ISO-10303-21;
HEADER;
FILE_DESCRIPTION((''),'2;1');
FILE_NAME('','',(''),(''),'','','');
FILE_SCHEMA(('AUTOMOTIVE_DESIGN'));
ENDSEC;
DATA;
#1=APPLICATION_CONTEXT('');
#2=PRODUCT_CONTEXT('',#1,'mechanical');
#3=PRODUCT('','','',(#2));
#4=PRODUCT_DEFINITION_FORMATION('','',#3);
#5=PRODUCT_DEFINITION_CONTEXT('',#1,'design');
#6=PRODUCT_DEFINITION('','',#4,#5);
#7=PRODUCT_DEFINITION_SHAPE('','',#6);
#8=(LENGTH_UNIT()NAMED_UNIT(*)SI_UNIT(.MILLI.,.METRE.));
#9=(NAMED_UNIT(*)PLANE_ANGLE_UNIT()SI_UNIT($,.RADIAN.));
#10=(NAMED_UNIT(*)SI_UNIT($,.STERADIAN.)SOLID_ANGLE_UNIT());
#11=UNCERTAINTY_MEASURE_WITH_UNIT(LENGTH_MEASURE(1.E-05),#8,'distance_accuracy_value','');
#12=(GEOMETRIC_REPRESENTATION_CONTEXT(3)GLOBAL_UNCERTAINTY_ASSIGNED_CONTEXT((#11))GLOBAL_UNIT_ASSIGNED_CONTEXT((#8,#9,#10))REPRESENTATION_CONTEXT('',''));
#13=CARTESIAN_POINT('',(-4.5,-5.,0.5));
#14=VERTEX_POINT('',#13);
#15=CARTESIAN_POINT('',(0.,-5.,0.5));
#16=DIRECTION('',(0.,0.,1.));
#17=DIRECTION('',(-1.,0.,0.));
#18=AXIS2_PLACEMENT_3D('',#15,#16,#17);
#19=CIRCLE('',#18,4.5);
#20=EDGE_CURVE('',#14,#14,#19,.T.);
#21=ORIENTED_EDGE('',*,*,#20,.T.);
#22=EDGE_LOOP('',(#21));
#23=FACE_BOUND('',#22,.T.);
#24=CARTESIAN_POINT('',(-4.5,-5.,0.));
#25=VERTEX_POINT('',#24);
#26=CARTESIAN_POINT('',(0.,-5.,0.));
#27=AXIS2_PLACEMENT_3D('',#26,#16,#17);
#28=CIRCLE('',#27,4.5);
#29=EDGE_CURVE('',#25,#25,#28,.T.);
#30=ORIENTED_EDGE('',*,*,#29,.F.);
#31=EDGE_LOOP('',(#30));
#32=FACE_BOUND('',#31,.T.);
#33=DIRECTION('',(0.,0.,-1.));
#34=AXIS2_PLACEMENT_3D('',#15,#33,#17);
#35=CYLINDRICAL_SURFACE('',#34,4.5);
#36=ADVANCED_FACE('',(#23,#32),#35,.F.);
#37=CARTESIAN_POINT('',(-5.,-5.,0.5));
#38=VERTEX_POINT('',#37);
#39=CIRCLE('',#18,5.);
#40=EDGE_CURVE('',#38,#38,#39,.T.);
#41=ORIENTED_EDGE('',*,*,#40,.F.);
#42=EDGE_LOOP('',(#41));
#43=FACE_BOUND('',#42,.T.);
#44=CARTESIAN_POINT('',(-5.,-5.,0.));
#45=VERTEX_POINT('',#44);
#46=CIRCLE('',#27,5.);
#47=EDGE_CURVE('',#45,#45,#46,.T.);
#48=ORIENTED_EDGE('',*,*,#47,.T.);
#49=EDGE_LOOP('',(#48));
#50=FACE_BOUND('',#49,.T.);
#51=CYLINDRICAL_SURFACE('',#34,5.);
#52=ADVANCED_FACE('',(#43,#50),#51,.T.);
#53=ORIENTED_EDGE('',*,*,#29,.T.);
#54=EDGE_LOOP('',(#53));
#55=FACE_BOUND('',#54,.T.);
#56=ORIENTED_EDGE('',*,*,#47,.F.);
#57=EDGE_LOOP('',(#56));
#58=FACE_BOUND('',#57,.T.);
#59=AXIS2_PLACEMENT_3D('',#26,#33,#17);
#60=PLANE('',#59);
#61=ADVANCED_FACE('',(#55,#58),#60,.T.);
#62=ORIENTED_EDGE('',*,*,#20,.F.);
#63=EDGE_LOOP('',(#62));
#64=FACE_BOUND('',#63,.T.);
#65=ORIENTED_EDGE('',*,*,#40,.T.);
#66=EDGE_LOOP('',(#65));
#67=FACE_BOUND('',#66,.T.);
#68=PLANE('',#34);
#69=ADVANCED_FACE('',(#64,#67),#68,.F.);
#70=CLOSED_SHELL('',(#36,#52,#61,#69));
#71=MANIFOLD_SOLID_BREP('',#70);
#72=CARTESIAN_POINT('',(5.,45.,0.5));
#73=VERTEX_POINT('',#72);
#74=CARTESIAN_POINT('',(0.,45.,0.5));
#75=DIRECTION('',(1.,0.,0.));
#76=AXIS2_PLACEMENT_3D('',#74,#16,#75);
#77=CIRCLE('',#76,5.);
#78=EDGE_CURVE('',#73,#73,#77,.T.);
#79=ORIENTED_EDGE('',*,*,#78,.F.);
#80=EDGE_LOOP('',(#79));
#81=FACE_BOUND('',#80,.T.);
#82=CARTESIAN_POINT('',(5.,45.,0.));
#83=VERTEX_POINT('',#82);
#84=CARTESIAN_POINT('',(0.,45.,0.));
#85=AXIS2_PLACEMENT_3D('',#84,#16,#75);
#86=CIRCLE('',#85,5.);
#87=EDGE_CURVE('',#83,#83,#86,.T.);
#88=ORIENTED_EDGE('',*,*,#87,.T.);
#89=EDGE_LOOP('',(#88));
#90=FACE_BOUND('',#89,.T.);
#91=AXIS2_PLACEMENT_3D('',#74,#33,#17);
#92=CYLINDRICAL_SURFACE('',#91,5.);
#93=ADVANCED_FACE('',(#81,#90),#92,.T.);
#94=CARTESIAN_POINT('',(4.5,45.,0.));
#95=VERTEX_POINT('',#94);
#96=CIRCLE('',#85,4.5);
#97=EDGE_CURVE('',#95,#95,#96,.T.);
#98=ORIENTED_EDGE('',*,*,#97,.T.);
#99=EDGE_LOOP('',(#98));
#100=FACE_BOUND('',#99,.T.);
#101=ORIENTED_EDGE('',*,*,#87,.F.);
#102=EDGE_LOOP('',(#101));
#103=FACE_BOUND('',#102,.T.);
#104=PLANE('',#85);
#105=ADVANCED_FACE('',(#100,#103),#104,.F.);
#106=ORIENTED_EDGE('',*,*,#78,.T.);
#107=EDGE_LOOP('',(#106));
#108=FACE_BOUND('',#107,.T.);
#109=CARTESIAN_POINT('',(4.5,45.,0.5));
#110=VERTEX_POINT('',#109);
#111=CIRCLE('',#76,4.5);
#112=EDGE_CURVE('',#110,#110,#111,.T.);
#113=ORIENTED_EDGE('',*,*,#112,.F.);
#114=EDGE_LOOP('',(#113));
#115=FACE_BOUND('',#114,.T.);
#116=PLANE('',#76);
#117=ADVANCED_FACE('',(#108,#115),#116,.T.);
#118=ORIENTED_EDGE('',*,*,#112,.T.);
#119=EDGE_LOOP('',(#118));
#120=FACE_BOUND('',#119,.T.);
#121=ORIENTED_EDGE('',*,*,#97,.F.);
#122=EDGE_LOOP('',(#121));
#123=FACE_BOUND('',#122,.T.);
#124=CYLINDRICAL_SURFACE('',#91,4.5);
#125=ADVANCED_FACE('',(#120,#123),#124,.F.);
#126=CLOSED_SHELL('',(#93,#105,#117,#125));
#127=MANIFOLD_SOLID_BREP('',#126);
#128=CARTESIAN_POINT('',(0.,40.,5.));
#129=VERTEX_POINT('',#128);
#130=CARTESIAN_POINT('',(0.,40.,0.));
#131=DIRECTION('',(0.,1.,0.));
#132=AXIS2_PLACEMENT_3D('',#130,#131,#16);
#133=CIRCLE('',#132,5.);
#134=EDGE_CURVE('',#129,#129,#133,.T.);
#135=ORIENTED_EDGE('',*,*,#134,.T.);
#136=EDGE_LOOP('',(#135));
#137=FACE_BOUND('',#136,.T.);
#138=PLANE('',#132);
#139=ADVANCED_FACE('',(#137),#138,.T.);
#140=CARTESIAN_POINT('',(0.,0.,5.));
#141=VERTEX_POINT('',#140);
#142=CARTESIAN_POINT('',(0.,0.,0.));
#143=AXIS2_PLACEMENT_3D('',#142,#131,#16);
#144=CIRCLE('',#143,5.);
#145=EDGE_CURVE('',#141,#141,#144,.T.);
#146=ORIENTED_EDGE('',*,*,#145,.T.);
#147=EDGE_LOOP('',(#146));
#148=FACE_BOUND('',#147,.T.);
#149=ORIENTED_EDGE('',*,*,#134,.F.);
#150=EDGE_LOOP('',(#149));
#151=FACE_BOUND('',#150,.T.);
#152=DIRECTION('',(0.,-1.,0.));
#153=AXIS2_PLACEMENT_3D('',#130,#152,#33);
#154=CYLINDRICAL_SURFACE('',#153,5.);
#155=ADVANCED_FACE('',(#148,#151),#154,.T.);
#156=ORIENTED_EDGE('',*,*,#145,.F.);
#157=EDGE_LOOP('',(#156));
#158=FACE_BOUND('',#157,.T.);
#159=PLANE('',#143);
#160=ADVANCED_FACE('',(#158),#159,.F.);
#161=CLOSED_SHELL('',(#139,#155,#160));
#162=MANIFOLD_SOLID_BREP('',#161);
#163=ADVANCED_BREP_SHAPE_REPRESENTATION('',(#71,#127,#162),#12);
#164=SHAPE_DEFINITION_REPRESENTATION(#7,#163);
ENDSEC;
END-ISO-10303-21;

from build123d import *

# Parameters (mm, degrees)
SKETCH1_R             = 5
BOSS_EXTRUDE1_DEPTH   = 40
SKETCH3_R             = 5
SKETCH3_R_2           = 4.5
BOSS_EXTRUDE2_DEPTH   = 0.5
BOSS_EXTRUDE2_2_DEPTH = 0.5


with BuildPart() as part:
    # Sketch1 → Boss-Extrude1 (new body)
    with BuildSketch(Plane(origin=(0, 0, 0), x_dir=(1, 0, 0), z_dir=(0, 1, 0))):
        with Locations(Location((0, 0, 0), (0, 0, 270))):
            Circle(SKETCH1_R)
    extrude(amount=BOSS_EXTRUDE1_DEPTH)


with BuildPart() as body_2:
    # Sketch3 → Boss-Extrude2 (new body)
    with BuildSketch(Plane.XY):
        with Locations((0, 45)):
            Circle(SKETCH3_R)
        with Locations((0, 45)):
            Circle(SKETCH3_R_2, mode=Mode.SUBTRACT)
    extrude(amount=BOSS_EXTRUDE2_DEPTH)


with BuildPart() as body_3:
    # Sketch3 → Boss-Extrude2 2 (new body)
    with BuildSketch(Plane.XY):
        with Locations(Location((0, -5, 0), (0, 0, 180))):
            Circle(SKETCH3_R)
        with Locations(Location((0, -5, 0), (0, 0, 180))):
            Circle(SKETCH3_R_2, mode=Mode.SUBTRACT)
    extrude(amount=BOSS_EXTRUDE2_2_DEPTH)


solid = Compound([part.part, body_2.part, body_3.part])
